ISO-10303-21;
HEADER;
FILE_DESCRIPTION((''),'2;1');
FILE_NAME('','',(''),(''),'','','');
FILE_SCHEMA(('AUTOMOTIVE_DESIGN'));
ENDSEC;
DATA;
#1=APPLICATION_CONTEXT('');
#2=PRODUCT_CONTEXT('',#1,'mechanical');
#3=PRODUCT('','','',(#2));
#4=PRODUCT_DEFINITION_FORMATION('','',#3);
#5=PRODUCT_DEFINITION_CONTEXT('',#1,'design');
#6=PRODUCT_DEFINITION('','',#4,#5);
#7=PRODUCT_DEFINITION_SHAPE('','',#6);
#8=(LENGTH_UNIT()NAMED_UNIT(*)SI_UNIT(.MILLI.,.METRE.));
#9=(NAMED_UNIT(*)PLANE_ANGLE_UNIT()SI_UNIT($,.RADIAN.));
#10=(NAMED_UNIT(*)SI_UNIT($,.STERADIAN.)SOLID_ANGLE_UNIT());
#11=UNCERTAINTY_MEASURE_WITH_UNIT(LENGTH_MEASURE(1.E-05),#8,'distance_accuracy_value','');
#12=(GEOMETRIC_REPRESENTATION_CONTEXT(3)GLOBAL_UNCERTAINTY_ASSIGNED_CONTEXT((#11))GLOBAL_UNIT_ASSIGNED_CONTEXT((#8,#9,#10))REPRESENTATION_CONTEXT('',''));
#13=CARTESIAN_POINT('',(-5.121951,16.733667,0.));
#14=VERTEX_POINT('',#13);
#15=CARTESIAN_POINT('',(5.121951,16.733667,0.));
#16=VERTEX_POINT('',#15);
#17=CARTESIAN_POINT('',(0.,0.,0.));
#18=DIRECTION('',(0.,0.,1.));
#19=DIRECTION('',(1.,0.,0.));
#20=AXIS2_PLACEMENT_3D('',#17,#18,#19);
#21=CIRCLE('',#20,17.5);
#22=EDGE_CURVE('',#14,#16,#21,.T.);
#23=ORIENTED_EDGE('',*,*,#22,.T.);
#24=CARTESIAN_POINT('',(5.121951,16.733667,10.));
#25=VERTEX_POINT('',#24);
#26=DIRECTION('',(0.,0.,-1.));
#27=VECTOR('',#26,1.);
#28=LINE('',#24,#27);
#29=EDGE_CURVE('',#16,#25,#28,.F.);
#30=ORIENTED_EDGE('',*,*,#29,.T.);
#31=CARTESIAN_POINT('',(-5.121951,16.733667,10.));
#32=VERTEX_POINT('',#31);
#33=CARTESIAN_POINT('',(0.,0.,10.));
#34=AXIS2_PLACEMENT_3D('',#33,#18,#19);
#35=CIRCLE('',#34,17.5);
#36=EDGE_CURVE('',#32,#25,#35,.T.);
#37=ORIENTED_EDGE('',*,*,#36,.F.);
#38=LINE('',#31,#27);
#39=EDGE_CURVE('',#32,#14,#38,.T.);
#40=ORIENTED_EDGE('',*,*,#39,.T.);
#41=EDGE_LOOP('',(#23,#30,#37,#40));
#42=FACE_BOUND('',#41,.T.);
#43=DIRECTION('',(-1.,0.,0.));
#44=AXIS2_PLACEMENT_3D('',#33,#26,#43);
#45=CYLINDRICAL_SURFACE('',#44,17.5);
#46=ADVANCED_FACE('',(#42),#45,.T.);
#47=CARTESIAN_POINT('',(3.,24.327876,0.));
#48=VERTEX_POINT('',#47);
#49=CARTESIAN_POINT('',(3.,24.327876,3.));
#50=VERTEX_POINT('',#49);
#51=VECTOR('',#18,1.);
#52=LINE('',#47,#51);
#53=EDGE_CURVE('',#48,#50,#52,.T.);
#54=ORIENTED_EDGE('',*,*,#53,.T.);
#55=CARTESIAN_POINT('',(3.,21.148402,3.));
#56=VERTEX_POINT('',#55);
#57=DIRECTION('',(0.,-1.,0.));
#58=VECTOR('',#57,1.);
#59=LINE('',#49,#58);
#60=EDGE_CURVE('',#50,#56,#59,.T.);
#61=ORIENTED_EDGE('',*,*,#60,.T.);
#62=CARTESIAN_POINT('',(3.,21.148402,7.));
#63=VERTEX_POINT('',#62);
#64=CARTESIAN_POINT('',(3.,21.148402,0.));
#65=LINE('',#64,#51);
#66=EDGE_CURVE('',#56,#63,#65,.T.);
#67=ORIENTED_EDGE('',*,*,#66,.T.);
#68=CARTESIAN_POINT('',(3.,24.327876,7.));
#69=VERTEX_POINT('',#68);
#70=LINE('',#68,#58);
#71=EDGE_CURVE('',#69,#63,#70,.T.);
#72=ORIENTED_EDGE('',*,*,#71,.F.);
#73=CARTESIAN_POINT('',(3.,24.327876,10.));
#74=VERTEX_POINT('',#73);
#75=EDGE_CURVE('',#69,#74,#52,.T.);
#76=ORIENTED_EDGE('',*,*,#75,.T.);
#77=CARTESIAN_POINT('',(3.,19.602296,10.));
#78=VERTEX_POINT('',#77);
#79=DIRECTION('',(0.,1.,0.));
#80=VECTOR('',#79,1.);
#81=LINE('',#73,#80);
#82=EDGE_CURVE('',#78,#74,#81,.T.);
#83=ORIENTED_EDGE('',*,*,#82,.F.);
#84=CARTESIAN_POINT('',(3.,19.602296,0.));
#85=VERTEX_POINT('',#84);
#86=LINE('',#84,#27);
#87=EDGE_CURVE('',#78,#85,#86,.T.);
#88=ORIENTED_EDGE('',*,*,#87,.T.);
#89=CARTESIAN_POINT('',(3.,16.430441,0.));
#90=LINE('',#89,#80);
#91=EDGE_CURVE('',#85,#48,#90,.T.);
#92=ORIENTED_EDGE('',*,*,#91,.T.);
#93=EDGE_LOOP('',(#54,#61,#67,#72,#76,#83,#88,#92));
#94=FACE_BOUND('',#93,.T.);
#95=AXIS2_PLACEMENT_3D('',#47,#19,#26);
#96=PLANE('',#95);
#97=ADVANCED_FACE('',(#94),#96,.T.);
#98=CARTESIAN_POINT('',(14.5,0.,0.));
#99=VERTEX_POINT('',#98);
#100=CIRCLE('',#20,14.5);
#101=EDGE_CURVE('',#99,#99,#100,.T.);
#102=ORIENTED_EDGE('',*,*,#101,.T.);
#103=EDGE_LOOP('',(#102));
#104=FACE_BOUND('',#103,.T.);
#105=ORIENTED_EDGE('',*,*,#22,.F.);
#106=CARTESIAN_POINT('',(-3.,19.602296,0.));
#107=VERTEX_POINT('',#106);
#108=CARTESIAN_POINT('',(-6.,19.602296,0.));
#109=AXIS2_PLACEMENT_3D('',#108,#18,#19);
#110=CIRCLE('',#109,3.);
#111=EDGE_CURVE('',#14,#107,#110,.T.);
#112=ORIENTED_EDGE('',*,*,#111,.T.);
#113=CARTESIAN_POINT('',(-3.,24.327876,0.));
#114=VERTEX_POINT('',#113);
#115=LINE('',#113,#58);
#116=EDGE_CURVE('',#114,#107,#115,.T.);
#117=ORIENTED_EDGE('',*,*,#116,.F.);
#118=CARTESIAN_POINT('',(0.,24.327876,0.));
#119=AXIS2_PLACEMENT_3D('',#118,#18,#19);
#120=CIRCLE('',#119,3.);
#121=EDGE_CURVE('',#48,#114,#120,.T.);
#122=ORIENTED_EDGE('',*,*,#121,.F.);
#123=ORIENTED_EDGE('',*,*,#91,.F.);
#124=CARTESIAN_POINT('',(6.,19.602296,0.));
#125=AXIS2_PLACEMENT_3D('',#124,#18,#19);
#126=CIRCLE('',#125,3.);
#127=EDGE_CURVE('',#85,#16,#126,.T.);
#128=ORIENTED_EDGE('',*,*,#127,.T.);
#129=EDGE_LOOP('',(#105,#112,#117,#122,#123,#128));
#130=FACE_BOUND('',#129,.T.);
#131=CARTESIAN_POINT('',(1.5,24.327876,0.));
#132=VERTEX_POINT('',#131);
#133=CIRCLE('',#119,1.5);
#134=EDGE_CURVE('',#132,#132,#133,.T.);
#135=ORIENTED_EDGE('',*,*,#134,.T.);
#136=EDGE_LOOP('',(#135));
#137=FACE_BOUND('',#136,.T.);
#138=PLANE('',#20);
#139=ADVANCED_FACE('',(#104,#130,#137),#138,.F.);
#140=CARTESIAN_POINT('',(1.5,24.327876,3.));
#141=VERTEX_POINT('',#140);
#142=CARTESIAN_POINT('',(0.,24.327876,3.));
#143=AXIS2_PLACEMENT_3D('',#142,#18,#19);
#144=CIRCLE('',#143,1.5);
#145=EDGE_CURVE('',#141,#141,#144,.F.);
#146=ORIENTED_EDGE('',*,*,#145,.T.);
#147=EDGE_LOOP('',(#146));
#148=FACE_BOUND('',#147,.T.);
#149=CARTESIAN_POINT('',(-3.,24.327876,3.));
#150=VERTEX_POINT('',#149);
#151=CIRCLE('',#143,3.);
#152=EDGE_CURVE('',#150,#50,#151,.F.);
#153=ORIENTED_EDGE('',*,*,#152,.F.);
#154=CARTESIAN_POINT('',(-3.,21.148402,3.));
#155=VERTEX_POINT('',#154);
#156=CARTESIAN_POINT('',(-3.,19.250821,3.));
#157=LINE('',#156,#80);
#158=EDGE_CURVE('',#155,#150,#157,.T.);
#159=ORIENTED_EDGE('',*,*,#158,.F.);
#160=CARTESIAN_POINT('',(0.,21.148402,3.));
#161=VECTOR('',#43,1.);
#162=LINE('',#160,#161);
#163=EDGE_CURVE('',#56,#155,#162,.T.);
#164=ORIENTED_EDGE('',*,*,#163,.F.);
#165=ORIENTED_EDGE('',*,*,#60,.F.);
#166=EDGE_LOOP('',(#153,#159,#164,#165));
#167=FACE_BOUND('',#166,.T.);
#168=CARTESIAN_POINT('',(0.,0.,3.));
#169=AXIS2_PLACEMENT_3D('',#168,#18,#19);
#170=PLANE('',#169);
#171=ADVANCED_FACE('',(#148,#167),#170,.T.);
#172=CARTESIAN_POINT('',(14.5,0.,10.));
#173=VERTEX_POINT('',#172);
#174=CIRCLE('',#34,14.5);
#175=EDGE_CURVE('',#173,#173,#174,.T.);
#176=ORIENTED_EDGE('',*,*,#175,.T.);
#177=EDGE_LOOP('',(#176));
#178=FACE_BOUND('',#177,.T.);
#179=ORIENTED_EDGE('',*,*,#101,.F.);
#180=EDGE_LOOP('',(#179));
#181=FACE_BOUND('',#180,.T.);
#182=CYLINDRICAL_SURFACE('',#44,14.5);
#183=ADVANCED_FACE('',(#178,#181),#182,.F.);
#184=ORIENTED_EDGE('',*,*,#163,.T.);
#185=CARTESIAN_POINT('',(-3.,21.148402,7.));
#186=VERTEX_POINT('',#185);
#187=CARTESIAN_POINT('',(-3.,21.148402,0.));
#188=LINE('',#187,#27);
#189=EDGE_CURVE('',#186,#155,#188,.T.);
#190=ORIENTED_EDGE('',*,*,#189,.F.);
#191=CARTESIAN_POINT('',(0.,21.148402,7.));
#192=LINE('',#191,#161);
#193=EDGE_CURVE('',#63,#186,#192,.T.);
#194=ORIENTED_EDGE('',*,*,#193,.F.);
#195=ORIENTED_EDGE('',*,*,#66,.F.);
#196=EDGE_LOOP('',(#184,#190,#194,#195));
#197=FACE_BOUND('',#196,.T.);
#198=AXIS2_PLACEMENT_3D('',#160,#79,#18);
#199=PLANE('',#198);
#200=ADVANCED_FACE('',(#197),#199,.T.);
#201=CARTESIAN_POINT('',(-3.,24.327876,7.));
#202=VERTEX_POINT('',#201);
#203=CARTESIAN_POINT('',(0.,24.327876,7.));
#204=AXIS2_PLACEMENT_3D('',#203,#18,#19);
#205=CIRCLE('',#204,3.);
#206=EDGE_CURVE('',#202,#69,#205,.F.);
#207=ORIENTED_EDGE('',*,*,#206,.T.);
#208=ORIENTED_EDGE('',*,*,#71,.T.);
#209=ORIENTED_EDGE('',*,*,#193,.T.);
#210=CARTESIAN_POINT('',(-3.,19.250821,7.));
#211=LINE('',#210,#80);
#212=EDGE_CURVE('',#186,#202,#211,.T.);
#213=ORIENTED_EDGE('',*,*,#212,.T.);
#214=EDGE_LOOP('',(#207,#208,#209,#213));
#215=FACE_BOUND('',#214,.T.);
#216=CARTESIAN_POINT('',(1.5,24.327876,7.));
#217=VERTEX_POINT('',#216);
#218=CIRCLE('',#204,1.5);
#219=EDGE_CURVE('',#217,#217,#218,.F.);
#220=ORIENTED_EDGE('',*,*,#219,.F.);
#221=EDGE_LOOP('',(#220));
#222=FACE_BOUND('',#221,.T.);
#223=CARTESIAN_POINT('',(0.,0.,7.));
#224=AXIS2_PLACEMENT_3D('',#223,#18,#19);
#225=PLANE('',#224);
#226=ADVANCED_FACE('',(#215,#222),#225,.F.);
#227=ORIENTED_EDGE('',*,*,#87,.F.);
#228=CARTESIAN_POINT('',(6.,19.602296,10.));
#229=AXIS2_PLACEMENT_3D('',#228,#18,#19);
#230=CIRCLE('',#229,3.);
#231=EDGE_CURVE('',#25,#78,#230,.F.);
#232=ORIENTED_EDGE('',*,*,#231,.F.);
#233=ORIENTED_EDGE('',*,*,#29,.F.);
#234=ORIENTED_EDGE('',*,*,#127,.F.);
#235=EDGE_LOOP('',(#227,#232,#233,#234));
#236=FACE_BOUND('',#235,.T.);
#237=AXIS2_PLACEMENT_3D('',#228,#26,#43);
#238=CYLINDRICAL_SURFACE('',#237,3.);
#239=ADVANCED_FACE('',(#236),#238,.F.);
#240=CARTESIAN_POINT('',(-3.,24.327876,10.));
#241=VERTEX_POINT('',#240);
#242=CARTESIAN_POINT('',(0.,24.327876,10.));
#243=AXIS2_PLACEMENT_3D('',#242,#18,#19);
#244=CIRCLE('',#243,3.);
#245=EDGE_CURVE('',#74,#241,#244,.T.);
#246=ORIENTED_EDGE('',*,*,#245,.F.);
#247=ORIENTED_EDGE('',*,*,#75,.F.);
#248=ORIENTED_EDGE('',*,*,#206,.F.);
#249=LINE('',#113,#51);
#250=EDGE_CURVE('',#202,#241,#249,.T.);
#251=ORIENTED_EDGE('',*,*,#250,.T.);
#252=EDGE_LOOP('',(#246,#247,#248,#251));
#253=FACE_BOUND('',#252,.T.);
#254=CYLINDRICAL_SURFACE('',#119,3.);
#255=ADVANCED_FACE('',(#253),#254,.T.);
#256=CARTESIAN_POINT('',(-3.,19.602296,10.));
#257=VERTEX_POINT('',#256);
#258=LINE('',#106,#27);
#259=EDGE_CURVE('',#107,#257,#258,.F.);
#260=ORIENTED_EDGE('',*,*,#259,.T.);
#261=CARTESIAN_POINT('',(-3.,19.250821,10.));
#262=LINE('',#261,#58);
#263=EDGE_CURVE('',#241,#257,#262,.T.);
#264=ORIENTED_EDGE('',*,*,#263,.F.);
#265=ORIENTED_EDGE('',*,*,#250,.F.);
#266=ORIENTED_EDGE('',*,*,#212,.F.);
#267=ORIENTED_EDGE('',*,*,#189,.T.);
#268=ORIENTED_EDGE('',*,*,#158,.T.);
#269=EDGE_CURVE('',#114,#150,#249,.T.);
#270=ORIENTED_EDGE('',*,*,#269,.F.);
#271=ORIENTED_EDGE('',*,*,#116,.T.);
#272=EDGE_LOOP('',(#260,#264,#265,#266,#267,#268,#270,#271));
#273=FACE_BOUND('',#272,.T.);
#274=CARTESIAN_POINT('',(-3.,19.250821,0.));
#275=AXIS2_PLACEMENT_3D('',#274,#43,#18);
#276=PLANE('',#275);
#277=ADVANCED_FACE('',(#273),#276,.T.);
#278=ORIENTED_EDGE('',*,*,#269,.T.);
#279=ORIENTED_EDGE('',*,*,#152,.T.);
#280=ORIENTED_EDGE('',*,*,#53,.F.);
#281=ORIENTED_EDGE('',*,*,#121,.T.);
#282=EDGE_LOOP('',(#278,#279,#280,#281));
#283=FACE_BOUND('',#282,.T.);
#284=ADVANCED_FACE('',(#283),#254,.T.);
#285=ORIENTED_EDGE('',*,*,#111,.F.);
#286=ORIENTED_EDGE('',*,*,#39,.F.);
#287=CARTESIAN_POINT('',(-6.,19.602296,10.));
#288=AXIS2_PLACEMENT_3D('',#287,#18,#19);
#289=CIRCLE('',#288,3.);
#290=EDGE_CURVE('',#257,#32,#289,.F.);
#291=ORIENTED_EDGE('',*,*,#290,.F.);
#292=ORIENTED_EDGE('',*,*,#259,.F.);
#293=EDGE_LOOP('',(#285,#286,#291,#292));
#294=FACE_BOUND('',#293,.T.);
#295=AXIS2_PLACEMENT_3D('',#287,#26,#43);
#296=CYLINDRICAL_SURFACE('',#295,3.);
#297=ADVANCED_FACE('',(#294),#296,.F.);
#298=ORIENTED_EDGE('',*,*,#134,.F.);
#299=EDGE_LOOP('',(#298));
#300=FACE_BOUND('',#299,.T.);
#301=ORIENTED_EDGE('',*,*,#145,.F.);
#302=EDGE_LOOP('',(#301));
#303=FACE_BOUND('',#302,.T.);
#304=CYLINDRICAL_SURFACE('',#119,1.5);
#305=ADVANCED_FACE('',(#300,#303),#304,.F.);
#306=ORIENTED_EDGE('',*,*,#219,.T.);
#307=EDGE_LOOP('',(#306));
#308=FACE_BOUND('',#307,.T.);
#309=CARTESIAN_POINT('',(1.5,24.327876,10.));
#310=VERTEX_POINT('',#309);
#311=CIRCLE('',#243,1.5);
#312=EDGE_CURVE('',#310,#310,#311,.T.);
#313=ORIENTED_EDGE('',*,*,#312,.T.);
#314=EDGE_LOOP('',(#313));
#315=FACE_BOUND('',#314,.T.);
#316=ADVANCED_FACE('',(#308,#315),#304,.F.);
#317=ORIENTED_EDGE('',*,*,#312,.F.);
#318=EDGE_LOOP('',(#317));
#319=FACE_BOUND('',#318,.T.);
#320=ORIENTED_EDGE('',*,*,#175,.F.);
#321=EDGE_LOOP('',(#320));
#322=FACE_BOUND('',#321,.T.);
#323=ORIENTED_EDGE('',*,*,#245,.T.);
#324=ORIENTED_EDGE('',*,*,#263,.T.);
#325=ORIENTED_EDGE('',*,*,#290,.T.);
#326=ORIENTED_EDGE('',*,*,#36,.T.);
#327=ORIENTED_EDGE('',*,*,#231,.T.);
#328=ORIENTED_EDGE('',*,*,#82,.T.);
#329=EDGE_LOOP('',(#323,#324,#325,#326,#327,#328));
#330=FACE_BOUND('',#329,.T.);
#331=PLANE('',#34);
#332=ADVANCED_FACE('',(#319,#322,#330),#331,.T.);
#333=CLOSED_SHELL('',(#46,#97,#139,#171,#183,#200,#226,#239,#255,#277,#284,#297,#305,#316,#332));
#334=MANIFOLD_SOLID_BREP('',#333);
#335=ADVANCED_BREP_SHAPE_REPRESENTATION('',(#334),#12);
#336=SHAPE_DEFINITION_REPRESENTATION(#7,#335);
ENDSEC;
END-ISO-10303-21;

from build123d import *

# Parameters (mm, degrees)
SKETCH1_R           = 17.5
SKETCH1_R_2         = 14.5
BOSS_EXTRUDE1_DEPTH = 10
BOSS_EXTRUDE2_DEPTH = 10
SKETCH5_R           = 3
BOSS_EXTRUDE3_DEPTH = 10
FILLET1_R           = 3
SKETCH6_R           = 1.5
CUT_EXTRUDE1_DEPTH  = 10
CUT_EXTRUDE2_DEPTH  = 4


with BuildPart() as part:
    # Sketch1 → Boss-Extrude1 (new body)
    with BuildSketch(Plane.XY):
        Circle(SKETCH1_R)
        Circle(SKETCH1_R_2, mode=Mode.SUBTRACT)
    extrude(amount=BOSS_EXTRUDE1_DEPTH)

    # Sketch4 → Boss-Extrude2 (add)
    with BuildSketch(Plane.XY.offset(10)):
        Polygon((-3, 19.250821316), (-3, 16.430441273), (3, 16.430441273), (3, 19.250821316), (3, 24.327875781), (-3, 24.327875781), align=None)
    extrude(amount=-BOSS_EXTRUDE2_DEPTH)

    # Sketch5 → Boss-Extrude3 (add)
    with BuildSketch(Plane.XY.offset(10)):
        with Locations((0, 24.327875781)):
            Circle(SKETCH5_R)
    extrude(amount=-BOSS_EXTRUDE3_DEPTH)

    # Fillet1
    fillet1_edges = [part.edges().sort_by_distance(p)[0] for p in [
        (3, 17.24093965, 5),
        (-3, 17.24093965, 5),
    ]]
    fillet(fillet1_edges, radius=FILLET1_R)

    # Sketch6 → Cut-Extrude1 (cut)
    with BuildSketch(Plane.XY.offset(10)):
        with Locations((0, 24.327875781)):
            Circle(SKETCH6_R)
    extrude(amount=-CUT_EXTRUDE1_DEPTH, mode=Mode.SUBTRACT)

    # Sketch7 → Cut-Extrude2 (cut)
    with BuildSketch(Plane.XY.offset(7)):
        Polygon((-6, 21.148402448), (3.429094676, 21.148402448), (5.067314065, 21.148402448), (5.31985813, 21.327875781), (5.31985813, 28.263680706), (-6, 28.263680706), align=None)
    extrude(amount=-CUT_EXTRUDE2_DEPTH, mode=Mode.SUBTRACT)


solid = part.part
